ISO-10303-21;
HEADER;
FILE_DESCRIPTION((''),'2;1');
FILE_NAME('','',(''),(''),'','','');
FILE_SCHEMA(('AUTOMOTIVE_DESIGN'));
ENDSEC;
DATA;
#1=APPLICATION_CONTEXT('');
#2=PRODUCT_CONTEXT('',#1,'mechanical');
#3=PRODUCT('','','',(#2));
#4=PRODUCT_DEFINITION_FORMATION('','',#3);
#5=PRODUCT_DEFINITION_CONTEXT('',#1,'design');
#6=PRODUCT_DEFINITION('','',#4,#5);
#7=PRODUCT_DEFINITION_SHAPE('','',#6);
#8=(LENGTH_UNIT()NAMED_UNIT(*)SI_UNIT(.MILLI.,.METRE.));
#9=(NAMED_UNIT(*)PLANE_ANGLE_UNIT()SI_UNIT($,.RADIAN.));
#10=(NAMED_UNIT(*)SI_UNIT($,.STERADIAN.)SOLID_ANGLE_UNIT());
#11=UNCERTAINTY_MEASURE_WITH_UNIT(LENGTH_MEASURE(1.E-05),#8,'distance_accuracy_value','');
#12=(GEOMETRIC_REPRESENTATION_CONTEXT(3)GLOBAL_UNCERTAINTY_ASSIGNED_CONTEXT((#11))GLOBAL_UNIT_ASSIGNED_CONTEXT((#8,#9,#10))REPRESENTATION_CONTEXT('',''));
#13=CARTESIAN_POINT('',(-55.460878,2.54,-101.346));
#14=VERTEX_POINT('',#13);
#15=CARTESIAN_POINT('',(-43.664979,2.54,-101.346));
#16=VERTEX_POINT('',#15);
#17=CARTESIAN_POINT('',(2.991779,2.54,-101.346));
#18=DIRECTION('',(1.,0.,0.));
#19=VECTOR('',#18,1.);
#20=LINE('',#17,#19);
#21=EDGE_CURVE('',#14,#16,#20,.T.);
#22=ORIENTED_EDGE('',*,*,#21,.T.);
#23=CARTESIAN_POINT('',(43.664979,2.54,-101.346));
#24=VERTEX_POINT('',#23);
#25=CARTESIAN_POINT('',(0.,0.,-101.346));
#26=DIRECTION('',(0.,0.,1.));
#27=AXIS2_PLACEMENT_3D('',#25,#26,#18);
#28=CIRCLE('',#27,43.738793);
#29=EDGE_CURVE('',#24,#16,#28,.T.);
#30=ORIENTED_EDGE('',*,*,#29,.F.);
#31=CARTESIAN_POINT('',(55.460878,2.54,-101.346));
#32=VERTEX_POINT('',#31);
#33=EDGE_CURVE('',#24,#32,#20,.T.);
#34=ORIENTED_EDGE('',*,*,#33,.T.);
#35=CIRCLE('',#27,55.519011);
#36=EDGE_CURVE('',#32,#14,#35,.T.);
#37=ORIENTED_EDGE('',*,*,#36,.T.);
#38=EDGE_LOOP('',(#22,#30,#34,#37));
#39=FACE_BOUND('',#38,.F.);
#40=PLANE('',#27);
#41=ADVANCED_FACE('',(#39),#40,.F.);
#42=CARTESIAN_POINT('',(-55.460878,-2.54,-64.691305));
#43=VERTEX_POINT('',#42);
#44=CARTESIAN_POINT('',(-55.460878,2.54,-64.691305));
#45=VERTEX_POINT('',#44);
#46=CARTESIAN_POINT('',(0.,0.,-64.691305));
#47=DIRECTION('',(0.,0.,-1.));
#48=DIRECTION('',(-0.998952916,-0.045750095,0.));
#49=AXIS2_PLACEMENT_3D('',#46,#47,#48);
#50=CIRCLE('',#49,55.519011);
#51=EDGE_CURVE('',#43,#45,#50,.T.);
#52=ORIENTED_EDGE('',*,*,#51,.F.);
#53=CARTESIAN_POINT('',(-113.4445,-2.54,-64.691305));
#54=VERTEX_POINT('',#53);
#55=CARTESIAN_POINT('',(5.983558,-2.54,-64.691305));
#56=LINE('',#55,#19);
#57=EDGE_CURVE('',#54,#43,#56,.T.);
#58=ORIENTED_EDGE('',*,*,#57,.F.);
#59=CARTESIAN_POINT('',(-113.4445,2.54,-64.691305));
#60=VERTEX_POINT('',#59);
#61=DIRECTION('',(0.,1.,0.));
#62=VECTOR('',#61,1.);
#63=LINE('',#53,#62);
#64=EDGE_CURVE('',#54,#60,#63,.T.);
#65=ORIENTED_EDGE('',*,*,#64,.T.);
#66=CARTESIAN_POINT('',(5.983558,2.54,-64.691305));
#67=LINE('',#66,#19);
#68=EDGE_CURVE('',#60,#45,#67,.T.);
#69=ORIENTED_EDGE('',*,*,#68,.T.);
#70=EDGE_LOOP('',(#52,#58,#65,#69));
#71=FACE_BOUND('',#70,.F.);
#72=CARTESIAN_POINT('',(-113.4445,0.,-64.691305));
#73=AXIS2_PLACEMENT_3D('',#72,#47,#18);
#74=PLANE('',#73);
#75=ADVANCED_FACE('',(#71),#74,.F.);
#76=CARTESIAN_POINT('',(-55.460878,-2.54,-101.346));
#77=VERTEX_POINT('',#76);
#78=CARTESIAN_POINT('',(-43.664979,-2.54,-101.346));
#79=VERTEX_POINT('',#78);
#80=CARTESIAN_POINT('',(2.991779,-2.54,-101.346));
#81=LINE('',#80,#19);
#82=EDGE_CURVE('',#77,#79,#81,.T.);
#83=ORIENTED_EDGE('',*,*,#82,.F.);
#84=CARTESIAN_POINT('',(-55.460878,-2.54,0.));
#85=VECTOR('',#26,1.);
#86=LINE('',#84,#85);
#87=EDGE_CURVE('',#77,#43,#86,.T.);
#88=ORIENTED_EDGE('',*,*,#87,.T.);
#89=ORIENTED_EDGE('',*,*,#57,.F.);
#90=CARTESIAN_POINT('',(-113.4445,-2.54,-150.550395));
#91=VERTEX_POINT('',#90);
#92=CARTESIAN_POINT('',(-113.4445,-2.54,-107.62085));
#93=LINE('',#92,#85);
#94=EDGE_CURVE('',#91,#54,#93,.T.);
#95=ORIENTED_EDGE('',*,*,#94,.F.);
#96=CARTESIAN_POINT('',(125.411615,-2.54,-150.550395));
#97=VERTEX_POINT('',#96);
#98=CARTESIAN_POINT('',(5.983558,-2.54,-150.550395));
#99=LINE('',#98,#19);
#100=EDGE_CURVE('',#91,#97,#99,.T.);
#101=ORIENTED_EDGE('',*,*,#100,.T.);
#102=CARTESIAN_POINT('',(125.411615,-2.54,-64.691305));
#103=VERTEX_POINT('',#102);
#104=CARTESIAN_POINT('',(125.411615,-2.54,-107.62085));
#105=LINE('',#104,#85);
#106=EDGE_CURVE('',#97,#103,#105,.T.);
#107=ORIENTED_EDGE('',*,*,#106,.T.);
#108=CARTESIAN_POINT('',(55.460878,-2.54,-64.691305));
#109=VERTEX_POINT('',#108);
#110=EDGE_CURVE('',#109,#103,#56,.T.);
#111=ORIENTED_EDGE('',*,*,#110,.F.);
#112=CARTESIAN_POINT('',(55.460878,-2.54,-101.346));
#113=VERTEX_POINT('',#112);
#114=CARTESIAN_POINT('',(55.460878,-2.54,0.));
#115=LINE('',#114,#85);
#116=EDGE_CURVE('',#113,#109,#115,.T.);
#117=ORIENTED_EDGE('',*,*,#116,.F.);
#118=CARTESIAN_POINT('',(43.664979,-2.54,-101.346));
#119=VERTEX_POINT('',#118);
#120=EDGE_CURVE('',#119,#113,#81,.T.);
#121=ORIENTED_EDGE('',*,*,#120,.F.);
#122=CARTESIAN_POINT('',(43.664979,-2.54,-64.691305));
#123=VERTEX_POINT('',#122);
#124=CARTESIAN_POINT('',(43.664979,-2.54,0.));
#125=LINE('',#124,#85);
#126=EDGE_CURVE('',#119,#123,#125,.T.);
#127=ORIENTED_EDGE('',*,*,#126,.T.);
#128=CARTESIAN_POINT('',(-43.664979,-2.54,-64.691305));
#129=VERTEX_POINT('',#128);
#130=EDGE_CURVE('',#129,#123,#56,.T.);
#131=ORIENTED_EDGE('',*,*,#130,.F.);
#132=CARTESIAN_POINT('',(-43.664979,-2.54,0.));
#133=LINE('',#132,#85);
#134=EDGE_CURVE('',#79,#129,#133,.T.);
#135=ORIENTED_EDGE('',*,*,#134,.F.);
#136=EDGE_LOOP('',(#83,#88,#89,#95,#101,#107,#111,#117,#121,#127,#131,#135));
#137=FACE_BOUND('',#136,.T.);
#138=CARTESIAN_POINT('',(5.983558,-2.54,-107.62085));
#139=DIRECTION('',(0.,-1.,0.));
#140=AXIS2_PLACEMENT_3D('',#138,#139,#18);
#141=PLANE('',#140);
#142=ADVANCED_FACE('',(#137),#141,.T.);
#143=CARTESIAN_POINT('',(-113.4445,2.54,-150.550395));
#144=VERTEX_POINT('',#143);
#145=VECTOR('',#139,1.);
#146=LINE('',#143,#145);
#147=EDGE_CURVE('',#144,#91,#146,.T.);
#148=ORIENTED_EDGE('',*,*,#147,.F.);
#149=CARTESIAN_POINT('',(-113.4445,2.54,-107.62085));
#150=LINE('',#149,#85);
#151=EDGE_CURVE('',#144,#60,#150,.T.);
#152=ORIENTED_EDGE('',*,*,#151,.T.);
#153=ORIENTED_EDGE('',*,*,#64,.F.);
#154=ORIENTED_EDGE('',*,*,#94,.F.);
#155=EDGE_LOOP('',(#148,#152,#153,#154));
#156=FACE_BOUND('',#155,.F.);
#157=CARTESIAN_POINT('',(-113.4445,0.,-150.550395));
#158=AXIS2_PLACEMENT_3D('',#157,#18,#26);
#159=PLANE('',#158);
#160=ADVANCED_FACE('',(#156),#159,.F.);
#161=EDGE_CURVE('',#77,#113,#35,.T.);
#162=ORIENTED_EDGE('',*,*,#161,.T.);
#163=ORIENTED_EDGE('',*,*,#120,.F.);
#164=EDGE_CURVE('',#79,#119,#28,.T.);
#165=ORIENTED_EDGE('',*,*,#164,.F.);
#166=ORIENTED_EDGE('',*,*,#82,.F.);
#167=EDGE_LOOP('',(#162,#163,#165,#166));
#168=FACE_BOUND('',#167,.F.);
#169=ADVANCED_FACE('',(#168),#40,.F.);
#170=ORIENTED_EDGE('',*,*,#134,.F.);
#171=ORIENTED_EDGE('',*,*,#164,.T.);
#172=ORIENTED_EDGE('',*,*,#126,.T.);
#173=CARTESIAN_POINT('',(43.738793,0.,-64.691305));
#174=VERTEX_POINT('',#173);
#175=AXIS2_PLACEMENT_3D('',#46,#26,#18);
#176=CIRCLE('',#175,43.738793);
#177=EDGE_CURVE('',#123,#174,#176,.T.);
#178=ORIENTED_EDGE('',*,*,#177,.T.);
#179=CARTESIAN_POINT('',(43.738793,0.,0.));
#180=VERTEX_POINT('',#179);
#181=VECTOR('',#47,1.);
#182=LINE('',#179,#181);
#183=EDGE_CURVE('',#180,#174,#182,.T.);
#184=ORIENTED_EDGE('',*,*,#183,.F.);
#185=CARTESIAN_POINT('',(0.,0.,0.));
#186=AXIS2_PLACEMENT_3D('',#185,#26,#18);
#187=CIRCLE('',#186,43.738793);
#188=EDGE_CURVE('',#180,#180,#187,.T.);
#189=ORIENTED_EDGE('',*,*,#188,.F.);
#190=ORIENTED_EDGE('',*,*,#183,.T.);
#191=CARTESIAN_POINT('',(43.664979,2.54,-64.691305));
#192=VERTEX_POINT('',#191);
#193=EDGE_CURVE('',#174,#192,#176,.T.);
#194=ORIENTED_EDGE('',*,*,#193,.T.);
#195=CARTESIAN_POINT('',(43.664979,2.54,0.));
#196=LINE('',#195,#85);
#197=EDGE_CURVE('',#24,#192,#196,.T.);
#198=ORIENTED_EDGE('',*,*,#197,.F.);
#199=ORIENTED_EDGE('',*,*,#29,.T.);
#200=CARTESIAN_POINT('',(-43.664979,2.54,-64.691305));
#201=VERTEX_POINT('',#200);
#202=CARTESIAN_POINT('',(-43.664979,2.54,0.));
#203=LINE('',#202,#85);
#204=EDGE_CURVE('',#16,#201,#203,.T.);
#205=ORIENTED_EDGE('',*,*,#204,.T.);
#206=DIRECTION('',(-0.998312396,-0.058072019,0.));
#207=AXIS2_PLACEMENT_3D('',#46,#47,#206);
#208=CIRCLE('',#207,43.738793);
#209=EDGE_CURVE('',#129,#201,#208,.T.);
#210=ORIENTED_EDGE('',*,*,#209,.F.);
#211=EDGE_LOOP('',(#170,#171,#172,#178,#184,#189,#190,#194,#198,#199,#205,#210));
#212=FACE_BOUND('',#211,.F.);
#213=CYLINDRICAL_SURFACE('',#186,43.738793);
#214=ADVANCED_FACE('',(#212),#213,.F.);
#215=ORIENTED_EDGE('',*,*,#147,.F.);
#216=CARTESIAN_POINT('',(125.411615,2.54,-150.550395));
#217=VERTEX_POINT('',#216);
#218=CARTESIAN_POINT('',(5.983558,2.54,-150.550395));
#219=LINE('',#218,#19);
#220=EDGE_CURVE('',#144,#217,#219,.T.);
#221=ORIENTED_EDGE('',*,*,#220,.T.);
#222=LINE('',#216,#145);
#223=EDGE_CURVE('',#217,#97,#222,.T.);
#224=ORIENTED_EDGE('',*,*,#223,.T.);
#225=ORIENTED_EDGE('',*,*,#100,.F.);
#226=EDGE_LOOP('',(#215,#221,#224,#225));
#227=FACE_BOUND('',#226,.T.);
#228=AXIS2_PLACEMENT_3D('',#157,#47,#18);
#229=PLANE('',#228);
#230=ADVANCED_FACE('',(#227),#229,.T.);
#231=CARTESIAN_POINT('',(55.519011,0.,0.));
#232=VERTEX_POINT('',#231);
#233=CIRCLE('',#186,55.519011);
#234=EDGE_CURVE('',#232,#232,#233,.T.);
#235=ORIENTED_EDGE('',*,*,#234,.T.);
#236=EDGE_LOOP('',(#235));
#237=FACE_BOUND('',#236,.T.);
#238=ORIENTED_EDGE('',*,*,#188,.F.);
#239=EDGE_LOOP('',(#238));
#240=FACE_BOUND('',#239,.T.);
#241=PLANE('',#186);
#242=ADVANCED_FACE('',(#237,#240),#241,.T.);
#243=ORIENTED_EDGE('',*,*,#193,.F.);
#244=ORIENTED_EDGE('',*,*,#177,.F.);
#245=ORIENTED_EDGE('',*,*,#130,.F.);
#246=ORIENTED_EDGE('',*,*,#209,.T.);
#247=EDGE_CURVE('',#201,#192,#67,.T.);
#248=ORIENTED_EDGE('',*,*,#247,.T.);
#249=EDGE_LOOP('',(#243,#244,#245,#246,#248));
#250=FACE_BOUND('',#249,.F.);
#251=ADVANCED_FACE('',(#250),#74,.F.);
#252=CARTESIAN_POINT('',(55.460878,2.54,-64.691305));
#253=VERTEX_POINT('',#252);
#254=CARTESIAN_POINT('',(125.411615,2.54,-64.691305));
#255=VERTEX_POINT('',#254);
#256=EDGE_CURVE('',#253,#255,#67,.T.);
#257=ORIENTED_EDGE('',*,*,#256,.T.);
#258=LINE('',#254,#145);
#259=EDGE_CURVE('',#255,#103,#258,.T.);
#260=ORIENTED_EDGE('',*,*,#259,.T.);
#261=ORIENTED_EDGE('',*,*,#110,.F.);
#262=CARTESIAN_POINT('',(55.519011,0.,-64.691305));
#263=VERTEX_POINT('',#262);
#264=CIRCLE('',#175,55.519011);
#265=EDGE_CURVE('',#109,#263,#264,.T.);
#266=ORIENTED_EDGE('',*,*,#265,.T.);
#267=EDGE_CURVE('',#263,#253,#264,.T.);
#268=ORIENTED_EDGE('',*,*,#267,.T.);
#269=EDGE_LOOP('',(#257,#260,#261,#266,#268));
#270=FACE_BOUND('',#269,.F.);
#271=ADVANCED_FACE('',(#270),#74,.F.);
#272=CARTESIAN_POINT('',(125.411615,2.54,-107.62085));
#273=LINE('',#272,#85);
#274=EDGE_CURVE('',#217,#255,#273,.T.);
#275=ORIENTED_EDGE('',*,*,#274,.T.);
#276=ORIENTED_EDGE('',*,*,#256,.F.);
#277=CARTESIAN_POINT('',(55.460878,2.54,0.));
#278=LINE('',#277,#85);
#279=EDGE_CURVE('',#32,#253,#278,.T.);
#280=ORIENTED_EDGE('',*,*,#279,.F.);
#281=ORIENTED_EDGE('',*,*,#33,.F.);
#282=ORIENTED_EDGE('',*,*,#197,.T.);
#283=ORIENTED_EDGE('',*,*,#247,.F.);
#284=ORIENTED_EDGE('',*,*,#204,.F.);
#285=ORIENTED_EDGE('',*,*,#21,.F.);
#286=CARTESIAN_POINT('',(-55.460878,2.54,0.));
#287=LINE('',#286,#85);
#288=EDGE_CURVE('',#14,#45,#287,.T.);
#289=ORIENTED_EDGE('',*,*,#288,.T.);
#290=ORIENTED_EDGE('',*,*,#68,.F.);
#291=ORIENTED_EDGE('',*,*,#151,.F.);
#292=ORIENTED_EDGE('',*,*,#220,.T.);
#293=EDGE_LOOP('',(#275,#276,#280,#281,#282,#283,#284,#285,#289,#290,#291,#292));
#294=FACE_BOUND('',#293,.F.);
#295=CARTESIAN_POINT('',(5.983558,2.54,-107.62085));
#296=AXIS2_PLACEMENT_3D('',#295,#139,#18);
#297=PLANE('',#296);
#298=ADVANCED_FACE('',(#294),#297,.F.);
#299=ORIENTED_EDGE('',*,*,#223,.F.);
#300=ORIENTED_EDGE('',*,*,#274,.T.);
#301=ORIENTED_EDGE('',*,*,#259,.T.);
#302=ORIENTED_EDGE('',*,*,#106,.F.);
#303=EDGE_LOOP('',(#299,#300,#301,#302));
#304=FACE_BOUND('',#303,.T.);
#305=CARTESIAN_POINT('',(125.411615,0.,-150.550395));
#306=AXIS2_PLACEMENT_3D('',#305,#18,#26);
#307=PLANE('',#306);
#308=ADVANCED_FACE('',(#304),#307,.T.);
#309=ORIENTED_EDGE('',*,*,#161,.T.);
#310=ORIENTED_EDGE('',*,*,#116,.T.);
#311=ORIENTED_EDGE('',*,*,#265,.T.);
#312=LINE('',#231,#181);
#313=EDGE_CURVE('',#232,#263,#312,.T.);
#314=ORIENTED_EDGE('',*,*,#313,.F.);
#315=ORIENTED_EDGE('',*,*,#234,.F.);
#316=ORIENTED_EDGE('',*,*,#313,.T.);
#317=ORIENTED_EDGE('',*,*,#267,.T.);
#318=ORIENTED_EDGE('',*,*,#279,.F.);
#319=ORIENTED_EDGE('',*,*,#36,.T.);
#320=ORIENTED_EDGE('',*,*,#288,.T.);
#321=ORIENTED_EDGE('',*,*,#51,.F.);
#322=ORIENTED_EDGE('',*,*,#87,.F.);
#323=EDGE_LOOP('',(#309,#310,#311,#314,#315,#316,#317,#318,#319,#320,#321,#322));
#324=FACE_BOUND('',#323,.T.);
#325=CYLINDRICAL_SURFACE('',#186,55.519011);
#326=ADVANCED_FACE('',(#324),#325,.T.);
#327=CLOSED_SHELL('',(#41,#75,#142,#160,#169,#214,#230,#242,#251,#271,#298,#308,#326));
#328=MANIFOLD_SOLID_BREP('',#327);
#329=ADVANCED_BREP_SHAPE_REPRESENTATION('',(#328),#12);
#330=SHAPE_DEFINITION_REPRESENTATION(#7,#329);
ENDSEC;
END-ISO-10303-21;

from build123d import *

# Parameters (mm, degrees)
F0_R          = 55.519011
F0_R_2        = 43.738793
F1_DEPTH      = 101.346
F2_W          = 238.856115
F2_H          = 85.85909
F3_DEPTH      = 2.54
F3_DEPTH_BACK = 2.54


with BuildPart() as f1:
    # F0 (on Top) → F1 (new body)
    with BuildSketch(Plane.XY):
        Circle(F0_R)
        Circle(F0_R_2, mode=Mode.SUBTRACT)
    extrude(amount=-F1_DEPTH)

    # F2 (on Front) → F3 (join, two sides)
    with BuildSketch(Plane.XZ) as f3_sk:
        with Locations((5.983558, -107.62085)):
            Rectangle(F2_W, F2_H)
    extrude(amount=F3_DEPTH)
    extrude(f3_sk.sketch, amount=-F3_DEPTH_BACK)


solid = f1.part
